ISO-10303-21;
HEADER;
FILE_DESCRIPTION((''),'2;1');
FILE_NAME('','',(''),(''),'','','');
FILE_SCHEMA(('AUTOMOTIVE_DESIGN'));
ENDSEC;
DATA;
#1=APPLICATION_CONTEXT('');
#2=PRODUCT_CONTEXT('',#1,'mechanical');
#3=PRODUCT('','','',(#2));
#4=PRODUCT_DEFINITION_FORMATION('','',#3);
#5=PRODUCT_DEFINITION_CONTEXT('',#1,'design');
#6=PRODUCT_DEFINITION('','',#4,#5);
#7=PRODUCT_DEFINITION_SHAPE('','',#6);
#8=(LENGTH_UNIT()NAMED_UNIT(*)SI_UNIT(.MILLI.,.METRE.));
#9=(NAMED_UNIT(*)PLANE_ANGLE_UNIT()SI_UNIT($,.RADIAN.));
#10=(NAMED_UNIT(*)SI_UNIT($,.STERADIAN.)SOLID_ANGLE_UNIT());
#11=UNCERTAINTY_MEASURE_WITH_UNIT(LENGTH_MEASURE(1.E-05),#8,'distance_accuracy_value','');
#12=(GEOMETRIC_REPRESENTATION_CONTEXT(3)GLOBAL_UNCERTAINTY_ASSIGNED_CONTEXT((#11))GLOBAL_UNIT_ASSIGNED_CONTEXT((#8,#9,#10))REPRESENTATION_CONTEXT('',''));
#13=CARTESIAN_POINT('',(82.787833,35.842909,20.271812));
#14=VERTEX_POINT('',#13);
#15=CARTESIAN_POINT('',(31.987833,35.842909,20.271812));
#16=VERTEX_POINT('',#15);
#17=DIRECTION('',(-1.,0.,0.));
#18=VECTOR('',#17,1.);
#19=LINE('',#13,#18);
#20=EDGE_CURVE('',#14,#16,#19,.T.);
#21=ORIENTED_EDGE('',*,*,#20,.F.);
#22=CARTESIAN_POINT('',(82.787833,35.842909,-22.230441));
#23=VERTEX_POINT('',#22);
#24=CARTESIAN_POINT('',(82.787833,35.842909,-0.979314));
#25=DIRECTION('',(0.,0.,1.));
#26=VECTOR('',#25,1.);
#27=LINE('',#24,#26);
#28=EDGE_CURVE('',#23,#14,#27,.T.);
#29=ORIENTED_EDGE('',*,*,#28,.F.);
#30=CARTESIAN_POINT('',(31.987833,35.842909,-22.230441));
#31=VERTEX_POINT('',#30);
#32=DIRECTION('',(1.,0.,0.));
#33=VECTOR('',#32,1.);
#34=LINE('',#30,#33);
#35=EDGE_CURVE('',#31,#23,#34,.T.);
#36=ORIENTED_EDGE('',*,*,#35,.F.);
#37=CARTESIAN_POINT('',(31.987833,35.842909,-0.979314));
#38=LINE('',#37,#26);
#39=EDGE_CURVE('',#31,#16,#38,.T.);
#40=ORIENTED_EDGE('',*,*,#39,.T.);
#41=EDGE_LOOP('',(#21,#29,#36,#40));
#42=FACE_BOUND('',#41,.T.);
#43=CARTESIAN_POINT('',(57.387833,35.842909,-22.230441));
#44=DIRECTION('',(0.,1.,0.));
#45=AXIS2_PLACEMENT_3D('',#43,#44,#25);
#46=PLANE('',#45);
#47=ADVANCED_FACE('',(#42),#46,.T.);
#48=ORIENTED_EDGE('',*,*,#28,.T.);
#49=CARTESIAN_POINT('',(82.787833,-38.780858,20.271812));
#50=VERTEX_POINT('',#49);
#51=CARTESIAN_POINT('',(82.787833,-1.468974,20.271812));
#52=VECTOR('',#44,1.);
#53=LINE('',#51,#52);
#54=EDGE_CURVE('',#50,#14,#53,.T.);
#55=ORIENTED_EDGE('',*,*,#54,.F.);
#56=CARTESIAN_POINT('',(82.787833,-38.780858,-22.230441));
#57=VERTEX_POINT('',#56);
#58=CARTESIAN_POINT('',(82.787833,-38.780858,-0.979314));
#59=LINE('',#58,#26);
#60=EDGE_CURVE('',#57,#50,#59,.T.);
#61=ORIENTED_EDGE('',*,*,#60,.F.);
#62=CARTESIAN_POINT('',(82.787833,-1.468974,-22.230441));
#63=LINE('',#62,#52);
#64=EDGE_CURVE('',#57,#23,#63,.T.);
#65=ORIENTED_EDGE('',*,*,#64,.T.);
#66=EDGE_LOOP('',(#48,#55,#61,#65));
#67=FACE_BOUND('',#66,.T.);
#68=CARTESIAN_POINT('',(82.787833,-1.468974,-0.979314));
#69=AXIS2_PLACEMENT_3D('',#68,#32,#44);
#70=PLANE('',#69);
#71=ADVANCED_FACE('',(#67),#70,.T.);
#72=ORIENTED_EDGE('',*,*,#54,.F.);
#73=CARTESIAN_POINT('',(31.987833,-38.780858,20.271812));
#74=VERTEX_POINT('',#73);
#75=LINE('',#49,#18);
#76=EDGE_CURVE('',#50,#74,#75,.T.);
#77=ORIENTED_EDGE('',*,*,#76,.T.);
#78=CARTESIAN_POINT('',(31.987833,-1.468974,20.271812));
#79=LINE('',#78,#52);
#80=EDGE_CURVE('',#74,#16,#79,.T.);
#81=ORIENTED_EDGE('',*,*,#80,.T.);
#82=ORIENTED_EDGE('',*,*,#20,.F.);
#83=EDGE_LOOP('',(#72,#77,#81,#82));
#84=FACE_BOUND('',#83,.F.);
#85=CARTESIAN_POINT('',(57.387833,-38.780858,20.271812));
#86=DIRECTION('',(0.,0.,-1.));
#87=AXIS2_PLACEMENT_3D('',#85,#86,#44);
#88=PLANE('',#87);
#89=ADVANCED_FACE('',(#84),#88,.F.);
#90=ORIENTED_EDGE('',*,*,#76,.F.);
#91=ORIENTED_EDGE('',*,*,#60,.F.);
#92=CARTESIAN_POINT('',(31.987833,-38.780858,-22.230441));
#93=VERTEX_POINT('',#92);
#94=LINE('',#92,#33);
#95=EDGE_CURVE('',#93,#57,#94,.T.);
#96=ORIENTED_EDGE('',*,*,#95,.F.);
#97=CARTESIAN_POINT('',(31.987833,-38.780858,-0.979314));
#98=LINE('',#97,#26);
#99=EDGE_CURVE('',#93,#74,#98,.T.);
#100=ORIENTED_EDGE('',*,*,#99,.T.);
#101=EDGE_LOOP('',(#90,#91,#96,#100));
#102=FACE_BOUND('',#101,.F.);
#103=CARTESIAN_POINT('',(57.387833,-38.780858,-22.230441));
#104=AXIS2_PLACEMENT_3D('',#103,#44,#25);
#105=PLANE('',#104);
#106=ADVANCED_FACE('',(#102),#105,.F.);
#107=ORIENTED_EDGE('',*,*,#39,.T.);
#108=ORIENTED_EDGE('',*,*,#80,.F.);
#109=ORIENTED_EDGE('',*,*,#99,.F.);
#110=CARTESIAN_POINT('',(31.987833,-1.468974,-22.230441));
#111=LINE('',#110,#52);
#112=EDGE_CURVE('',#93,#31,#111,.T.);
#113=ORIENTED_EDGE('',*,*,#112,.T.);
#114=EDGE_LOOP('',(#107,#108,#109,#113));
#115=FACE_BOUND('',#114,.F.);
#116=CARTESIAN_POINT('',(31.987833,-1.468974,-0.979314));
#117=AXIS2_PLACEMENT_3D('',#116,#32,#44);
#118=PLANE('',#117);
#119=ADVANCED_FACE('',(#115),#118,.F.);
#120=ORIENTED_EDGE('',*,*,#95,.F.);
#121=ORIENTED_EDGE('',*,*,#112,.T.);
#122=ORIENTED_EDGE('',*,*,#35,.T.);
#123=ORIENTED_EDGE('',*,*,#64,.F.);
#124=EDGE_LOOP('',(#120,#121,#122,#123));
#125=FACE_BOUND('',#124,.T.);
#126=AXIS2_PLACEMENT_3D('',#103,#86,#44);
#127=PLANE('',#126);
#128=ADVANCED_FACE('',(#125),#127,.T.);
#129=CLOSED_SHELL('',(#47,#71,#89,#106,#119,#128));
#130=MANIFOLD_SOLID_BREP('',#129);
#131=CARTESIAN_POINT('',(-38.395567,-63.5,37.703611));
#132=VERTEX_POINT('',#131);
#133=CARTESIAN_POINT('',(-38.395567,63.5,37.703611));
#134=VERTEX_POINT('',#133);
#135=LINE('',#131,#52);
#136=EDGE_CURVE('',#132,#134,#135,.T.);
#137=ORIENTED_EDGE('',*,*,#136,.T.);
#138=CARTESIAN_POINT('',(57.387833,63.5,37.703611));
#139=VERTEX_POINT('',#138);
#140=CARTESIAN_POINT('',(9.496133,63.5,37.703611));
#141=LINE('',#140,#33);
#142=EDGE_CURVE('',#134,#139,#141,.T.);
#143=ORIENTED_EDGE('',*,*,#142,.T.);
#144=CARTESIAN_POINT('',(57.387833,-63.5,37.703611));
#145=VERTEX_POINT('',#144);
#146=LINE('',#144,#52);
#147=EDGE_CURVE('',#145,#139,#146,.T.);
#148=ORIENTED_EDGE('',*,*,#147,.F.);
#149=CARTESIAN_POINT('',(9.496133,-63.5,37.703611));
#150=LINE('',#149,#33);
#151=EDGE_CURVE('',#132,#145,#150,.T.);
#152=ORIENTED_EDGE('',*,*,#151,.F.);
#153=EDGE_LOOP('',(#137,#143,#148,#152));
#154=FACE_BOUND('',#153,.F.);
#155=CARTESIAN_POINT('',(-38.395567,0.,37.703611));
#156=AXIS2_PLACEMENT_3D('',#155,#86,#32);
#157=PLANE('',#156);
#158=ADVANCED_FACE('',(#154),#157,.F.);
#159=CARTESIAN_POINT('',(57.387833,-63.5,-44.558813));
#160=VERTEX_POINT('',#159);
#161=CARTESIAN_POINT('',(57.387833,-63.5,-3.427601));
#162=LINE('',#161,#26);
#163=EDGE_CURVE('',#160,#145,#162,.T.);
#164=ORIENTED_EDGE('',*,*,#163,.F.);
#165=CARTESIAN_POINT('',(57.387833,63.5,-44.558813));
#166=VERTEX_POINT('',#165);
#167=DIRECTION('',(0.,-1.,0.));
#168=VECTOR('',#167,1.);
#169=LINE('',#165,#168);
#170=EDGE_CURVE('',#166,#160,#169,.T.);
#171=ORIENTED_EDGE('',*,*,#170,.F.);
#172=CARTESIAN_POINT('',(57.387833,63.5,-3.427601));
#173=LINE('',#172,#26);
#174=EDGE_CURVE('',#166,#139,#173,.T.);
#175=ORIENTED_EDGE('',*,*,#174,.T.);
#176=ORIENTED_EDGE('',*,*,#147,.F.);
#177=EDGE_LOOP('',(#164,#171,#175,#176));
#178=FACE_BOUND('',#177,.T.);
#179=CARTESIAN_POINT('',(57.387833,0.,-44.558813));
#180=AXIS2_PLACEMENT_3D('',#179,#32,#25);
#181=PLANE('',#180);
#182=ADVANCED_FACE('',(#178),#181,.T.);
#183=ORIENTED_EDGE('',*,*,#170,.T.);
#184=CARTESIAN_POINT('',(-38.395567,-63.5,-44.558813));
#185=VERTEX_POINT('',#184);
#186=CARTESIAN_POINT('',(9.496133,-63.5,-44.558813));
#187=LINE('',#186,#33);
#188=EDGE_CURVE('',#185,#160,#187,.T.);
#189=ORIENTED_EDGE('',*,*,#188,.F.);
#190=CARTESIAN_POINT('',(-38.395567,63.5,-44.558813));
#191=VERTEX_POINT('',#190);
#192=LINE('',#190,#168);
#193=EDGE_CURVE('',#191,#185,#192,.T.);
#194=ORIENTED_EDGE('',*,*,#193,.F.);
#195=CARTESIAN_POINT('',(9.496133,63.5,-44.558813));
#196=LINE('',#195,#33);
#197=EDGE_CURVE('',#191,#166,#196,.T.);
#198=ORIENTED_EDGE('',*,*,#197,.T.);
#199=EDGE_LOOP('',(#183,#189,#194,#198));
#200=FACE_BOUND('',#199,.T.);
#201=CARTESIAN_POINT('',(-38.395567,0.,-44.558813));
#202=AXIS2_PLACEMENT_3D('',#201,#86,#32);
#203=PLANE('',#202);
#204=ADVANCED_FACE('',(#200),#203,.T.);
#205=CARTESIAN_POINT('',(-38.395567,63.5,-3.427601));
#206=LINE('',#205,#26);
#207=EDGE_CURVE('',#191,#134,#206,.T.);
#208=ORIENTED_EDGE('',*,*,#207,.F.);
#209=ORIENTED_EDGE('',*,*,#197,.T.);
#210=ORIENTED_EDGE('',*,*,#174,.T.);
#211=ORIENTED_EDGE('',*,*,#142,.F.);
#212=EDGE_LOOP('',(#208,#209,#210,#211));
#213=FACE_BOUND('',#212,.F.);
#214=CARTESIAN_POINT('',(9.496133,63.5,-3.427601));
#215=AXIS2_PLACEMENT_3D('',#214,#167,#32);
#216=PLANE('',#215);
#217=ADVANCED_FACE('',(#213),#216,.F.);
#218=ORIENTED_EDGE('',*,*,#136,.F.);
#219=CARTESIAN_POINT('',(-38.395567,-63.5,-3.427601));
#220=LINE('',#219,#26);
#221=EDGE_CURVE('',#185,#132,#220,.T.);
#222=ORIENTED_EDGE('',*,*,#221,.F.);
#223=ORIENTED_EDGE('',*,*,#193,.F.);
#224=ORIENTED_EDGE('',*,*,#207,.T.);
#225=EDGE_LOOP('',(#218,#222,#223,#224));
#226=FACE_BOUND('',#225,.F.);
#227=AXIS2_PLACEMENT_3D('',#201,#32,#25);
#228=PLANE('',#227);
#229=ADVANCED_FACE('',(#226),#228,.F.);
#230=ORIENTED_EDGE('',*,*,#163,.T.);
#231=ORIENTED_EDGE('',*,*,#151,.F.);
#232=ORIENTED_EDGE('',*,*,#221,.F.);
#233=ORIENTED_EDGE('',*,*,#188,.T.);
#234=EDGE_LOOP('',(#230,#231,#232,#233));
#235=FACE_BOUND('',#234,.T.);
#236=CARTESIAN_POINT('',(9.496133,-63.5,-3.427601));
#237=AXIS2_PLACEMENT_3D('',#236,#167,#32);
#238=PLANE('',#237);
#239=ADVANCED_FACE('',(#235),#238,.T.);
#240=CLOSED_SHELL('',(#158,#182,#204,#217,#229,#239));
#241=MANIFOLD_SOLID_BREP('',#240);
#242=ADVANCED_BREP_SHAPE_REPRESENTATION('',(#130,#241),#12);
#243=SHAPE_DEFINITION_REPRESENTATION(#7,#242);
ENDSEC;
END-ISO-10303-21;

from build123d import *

# Parameters (mm, degrees)
F0_W     = 95.7834
F0_H     = 82.262423
F1_DEPTH = 63.5
F2_W     = 74.623767
F2_H     = 42.502253
F3_DEPTH = 25.4


with BuildPart() as f1:
    # F0 (on Front) → F1 (new body, symmetric)
    with BuildSketch(Plane.XZ):
        with Locations((9.496133, -3.427601)):
            Rectangle(F0_W, F0_H)
    extrude(amount=F1_DEPTH, both=True)


with BuildPart() as f3:
    # F2 (on face) → F3 (new body, symmetric)
    with BuildSketch(Plane.YZ.offset(57.387833)):
        with Locations((-1.468974, -0.979314)):
            Rectangle(F2_W, F2_H)
    extrude(amount=F3_DEPTH, both=True)


solid = Compound([f1.part, f3.part])
